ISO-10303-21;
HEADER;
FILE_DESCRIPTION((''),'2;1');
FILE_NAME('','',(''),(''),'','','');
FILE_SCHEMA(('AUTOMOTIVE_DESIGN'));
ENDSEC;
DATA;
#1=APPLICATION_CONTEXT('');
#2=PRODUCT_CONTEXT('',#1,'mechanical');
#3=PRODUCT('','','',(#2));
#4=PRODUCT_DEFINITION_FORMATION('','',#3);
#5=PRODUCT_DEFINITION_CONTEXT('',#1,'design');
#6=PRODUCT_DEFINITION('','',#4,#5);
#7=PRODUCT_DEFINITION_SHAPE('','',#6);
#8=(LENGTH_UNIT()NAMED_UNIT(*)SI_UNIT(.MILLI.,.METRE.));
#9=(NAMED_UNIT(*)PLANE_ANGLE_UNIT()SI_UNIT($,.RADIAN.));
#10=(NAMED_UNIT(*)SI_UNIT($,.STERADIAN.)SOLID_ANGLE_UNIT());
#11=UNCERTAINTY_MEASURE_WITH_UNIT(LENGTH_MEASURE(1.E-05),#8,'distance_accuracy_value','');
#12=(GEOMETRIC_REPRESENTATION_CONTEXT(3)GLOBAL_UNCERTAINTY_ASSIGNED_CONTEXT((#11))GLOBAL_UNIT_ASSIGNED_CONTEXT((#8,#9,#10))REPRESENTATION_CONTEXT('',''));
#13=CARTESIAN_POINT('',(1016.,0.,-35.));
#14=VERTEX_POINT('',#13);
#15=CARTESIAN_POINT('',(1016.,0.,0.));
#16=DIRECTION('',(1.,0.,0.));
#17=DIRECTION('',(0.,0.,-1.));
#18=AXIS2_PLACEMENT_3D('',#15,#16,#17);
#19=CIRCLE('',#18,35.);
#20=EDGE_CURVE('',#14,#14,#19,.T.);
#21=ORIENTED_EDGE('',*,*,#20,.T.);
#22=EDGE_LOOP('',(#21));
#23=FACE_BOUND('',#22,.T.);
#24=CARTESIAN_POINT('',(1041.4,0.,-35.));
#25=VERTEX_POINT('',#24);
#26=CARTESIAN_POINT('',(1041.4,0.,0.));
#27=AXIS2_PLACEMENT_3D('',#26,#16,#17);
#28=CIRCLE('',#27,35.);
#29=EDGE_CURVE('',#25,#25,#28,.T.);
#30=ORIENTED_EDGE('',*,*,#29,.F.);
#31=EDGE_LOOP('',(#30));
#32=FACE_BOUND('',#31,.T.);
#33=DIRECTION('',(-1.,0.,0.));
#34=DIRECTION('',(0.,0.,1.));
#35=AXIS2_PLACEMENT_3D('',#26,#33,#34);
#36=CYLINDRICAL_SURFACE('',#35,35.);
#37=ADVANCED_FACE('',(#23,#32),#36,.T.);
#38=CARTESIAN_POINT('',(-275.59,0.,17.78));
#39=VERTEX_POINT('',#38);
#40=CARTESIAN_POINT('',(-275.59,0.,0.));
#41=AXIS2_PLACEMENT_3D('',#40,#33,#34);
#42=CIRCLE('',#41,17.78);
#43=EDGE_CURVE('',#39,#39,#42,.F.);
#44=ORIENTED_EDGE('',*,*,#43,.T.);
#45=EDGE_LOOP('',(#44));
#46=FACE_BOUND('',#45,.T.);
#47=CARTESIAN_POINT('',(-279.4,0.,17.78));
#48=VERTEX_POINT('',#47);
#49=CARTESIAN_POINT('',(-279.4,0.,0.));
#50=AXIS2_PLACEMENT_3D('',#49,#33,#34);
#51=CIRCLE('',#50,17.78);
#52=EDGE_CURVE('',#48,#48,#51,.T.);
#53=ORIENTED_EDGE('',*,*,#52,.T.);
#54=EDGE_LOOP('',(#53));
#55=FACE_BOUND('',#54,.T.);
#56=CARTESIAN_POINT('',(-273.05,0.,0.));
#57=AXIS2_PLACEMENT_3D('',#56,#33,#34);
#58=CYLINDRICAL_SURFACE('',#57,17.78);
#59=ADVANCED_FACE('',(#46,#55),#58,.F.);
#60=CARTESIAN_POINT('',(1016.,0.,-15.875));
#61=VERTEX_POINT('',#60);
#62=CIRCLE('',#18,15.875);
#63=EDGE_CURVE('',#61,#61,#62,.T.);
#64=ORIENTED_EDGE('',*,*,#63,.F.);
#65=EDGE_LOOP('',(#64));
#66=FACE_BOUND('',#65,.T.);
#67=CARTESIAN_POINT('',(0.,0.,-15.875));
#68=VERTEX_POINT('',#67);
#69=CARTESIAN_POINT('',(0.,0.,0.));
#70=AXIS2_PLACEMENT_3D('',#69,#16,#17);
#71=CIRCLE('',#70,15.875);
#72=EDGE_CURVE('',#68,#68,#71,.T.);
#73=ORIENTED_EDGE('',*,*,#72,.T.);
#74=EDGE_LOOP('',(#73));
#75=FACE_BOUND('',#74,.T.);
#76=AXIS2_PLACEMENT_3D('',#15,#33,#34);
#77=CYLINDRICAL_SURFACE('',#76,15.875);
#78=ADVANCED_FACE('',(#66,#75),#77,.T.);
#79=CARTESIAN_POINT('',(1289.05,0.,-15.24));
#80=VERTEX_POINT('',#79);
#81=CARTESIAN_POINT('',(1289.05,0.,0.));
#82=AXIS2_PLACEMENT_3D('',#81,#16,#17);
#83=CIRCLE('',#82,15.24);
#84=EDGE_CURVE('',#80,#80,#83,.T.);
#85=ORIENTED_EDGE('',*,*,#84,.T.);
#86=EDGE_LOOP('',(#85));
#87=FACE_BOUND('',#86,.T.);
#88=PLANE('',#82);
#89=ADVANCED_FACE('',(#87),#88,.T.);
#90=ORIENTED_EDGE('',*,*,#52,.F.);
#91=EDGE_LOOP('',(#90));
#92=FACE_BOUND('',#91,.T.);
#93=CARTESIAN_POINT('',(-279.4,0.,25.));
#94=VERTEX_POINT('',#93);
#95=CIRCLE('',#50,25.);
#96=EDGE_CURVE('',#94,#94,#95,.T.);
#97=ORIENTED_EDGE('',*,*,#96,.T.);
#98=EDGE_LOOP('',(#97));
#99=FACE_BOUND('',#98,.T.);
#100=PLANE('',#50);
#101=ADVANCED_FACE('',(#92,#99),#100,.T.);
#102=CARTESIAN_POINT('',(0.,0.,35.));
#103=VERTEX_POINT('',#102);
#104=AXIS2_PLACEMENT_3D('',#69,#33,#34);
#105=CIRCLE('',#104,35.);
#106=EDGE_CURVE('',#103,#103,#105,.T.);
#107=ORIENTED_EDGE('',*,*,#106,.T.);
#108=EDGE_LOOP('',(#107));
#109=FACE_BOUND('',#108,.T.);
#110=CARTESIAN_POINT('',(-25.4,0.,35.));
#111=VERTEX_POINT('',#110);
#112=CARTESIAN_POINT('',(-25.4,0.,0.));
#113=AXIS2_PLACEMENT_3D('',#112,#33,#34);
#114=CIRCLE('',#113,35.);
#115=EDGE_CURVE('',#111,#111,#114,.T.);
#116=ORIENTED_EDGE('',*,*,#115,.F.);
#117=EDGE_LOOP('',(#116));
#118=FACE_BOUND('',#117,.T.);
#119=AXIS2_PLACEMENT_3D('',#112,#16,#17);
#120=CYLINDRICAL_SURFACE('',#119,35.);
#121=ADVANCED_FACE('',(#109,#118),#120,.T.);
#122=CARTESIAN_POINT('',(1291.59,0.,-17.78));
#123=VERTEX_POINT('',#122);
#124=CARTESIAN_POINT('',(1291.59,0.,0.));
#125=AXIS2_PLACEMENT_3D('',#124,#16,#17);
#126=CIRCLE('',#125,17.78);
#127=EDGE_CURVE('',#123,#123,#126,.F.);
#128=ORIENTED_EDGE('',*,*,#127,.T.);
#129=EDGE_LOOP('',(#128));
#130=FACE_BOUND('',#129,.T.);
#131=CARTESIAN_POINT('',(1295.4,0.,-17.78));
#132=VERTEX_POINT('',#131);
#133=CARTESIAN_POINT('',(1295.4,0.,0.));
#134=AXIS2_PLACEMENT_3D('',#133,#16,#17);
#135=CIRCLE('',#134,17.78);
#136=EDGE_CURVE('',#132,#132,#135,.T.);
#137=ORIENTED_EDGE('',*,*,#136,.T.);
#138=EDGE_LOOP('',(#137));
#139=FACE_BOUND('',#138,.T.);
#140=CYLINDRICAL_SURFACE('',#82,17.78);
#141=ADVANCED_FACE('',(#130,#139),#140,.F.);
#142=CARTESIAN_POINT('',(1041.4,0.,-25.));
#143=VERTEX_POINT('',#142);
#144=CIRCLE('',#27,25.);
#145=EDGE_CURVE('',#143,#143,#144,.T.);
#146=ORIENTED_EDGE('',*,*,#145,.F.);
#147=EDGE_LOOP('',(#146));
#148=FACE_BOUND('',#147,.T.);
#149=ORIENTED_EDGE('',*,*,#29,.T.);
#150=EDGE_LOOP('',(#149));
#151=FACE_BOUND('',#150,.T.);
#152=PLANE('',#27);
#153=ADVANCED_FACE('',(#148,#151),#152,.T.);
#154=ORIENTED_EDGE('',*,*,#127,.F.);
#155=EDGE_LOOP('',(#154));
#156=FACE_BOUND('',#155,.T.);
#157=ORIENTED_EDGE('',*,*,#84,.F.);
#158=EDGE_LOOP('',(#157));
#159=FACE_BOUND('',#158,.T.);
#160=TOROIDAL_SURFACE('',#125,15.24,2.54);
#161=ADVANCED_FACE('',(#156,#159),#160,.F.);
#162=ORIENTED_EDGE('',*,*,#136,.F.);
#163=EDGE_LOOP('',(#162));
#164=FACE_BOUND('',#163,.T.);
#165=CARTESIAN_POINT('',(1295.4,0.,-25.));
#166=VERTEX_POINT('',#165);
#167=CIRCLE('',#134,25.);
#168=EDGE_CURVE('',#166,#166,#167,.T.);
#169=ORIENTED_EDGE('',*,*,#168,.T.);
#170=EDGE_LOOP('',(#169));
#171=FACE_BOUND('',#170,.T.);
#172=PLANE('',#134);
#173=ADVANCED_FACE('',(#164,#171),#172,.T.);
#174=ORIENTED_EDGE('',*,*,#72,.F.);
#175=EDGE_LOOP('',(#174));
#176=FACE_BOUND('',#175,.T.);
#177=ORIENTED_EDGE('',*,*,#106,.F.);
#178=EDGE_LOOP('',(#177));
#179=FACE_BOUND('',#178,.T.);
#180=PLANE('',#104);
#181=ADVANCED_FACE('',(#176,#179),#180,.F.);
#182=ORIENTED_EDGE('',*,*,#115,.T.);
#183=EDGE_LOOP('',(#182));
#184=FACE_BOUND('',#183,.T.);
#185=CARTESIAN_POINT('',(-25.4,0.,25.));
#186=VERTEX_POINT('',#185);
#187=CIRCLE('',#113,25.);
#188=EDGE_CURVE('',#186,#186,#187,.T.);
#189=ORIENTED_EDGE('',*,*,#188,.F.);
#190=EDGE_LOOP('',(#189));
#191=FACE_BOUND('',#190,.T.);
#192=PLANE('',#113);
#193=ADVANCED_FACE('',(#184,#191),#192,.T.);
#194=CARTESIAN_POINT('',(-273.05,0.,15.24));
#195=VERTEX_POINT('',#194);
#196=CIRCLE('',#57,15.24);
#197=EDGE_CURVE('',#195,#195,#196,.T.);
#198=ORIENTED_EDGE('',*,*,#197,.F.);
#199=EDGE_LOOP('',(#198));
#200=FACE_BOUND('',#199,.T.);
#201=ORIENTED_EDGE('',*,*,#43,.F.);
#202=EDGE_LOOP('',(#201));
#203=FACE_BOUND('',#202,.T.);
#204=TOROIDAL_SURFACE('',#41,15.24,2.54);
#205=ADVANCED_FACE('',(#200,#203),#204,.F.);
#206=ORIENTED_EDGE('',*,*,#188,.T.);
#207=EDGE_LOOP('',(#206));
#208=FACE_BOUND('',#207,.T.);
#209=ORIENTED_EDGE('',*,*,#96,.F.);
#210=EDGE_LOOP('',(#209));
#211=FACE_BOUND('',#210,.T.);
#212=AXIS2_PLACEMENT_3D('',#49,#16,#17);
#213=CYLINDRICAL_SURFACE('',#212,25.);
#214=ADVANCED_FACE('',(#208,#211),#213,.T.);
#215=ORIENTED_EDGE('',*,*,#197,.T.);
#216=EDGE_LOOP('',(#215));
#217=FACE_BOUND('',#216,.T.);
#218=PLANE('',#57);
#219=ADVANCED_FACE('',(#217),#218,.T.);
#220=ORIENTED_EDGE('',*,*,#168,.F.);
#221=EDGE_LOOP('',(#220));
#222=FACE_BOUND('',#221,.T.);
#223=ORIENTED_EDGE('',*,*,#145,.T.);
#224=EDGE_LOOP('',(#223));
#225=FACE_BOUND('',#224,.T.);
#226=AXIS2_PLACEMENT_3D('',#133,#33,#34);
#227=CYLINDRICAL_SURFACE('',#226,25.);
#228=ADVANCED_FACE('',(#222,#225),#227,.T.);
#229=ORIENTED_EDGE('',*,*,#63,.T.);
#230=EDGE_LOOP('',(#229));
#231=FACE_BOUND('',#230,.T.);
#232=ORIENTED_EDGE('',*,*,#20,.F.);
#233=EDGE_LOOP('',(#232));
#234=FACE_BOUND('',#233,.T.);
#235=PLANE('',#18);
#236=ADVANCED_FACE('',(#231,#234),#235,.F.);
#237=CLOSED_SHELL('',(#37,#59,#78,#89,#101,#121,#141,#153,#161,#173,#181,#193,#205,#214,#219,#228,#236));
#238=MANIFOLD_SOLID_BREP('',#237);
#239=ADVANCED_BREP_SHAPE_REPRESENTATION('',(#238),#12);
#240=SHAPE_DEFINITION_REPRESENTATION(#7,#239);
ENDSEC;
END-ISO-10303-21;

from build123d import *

# Parameters (mm, degrees)
SKETCH1_R           = 15.875
BOSS_EXTRUDE1_DEPTH = 1016
SKETCH2_R           = 34.999999977
BOSS_EXTRUDE2_DEPTH = 25.4
BOSS_EXTRUDE3_START = 25.4
SKETCH3_R           = 34.999999977
BOSS_EXTRUDE3_DEPTH = 25.4
SKETCH4_R           = 25
BOSS_EXTRUDE4_DEPTH = 254
BOSS_EXTRUDE5_START = 254
SKETCH5_R           = 25
BOSS_EXTRUDE5_DEPTH = 254
SKETCH6_R           = 17.78
CUT_EXTRUDE1_DEPTH  = 6.35
CUT_EXTRUDE2_START  = -6.35
SKETCH7_R           = 17.78
CUT_EXTRUDE2_DEPTH  = 6.35
FILLET1_R           = 2.54


with BuildPart() as part:
    # Sketch1 → Boss-Extrude1 (new body)
    with BuildSketch(Plane(origin=(0, 0, 0), x_dir=(0, 0, -1), z_dir=(1, 0, 0))):
        Circle(SKETCH1_R)
    extrude(amount=BOSS_EXTRUDE1_DEPTH)

    # Sketch2 → Boss-Extrude2 (add)
    with BuildSketch(Plane(origin=(1016, 0, 0), x_dir=(0, 0, -1), z_dir=(1, 0, 0))):
        Circle(SKETCH2_R)
    extrude(amount=BOSS_EXTRUDE2_DEPTH)

    # Sketch3 → Boss-Extrude3 (add)
    with BuildSketch(Plane.ZY.offset(BOSS_EXTRUDE3_START)):
        with Locations(Location((0, 0, 0), (0, 0, 180))):
            Circle(SKETCH3_R)
    extrude(amount=-BOSS_EXTRUDE3_DEPTH)

    # Sketch4 → Boss-Extrude4 (add)
    with BuildSketch(Plane(origin=(1041.4, 0, 0), x_dir=(0, 0, -1), z_dir=(1, 0, 0))):
        Circle(SKETCH4_R)
    extrude(amount=BOSS_EXTRUDE4_DEPTH)

    # Sketch5 → Boss-Extrude5 (add)
    with BuildSketch(Plane.ZY.offset(25.4).offset(BOSS_EXTRUDE5_START)):
        with Locations(Location((0, 0, 0), (0, 0, 180))):
            Circle(SKETCH5_R)
    extrude(amount=-BOSS_EXTRUDE5_DEPTH)

    # Sketch6 → Cut-Extrude1 (cut)
    with BuildSketch(Plane.ZY.offset(279.4)):
        Circle(SKETCH6_R)
    extrude(amount=-CUT_EXTRUDE1_DEPTH, mode=Mode.SUBTRACT)

    # Sketch7 → Cut-Extrude2 (cut)
    with BuildSketch(Plane(origin=(1295.4, 0, 0), x_dir=(0, 0, -1), z_dir=(1, 0, 0)).offset(CUT_EXTRUDE2_START)):
        with Locations(Location((0, 0, 0), (0, 0, 180))):
            Circle(SKETCH7_R)
    extrude(amount=CUT_EXTRUDE2_DEPTH, mode=Mode.SUBTRACT)

    # Fillet1
    fillet1_edges = [part.edges().sort_by_distance(p)[0] for p in [
        (-273.05, 0, -17.78),
        (1289.05, 0, -17.78),
    ]]
    fillet(fillet1_edges, radius=FILLET1_R)


solid = part.part
